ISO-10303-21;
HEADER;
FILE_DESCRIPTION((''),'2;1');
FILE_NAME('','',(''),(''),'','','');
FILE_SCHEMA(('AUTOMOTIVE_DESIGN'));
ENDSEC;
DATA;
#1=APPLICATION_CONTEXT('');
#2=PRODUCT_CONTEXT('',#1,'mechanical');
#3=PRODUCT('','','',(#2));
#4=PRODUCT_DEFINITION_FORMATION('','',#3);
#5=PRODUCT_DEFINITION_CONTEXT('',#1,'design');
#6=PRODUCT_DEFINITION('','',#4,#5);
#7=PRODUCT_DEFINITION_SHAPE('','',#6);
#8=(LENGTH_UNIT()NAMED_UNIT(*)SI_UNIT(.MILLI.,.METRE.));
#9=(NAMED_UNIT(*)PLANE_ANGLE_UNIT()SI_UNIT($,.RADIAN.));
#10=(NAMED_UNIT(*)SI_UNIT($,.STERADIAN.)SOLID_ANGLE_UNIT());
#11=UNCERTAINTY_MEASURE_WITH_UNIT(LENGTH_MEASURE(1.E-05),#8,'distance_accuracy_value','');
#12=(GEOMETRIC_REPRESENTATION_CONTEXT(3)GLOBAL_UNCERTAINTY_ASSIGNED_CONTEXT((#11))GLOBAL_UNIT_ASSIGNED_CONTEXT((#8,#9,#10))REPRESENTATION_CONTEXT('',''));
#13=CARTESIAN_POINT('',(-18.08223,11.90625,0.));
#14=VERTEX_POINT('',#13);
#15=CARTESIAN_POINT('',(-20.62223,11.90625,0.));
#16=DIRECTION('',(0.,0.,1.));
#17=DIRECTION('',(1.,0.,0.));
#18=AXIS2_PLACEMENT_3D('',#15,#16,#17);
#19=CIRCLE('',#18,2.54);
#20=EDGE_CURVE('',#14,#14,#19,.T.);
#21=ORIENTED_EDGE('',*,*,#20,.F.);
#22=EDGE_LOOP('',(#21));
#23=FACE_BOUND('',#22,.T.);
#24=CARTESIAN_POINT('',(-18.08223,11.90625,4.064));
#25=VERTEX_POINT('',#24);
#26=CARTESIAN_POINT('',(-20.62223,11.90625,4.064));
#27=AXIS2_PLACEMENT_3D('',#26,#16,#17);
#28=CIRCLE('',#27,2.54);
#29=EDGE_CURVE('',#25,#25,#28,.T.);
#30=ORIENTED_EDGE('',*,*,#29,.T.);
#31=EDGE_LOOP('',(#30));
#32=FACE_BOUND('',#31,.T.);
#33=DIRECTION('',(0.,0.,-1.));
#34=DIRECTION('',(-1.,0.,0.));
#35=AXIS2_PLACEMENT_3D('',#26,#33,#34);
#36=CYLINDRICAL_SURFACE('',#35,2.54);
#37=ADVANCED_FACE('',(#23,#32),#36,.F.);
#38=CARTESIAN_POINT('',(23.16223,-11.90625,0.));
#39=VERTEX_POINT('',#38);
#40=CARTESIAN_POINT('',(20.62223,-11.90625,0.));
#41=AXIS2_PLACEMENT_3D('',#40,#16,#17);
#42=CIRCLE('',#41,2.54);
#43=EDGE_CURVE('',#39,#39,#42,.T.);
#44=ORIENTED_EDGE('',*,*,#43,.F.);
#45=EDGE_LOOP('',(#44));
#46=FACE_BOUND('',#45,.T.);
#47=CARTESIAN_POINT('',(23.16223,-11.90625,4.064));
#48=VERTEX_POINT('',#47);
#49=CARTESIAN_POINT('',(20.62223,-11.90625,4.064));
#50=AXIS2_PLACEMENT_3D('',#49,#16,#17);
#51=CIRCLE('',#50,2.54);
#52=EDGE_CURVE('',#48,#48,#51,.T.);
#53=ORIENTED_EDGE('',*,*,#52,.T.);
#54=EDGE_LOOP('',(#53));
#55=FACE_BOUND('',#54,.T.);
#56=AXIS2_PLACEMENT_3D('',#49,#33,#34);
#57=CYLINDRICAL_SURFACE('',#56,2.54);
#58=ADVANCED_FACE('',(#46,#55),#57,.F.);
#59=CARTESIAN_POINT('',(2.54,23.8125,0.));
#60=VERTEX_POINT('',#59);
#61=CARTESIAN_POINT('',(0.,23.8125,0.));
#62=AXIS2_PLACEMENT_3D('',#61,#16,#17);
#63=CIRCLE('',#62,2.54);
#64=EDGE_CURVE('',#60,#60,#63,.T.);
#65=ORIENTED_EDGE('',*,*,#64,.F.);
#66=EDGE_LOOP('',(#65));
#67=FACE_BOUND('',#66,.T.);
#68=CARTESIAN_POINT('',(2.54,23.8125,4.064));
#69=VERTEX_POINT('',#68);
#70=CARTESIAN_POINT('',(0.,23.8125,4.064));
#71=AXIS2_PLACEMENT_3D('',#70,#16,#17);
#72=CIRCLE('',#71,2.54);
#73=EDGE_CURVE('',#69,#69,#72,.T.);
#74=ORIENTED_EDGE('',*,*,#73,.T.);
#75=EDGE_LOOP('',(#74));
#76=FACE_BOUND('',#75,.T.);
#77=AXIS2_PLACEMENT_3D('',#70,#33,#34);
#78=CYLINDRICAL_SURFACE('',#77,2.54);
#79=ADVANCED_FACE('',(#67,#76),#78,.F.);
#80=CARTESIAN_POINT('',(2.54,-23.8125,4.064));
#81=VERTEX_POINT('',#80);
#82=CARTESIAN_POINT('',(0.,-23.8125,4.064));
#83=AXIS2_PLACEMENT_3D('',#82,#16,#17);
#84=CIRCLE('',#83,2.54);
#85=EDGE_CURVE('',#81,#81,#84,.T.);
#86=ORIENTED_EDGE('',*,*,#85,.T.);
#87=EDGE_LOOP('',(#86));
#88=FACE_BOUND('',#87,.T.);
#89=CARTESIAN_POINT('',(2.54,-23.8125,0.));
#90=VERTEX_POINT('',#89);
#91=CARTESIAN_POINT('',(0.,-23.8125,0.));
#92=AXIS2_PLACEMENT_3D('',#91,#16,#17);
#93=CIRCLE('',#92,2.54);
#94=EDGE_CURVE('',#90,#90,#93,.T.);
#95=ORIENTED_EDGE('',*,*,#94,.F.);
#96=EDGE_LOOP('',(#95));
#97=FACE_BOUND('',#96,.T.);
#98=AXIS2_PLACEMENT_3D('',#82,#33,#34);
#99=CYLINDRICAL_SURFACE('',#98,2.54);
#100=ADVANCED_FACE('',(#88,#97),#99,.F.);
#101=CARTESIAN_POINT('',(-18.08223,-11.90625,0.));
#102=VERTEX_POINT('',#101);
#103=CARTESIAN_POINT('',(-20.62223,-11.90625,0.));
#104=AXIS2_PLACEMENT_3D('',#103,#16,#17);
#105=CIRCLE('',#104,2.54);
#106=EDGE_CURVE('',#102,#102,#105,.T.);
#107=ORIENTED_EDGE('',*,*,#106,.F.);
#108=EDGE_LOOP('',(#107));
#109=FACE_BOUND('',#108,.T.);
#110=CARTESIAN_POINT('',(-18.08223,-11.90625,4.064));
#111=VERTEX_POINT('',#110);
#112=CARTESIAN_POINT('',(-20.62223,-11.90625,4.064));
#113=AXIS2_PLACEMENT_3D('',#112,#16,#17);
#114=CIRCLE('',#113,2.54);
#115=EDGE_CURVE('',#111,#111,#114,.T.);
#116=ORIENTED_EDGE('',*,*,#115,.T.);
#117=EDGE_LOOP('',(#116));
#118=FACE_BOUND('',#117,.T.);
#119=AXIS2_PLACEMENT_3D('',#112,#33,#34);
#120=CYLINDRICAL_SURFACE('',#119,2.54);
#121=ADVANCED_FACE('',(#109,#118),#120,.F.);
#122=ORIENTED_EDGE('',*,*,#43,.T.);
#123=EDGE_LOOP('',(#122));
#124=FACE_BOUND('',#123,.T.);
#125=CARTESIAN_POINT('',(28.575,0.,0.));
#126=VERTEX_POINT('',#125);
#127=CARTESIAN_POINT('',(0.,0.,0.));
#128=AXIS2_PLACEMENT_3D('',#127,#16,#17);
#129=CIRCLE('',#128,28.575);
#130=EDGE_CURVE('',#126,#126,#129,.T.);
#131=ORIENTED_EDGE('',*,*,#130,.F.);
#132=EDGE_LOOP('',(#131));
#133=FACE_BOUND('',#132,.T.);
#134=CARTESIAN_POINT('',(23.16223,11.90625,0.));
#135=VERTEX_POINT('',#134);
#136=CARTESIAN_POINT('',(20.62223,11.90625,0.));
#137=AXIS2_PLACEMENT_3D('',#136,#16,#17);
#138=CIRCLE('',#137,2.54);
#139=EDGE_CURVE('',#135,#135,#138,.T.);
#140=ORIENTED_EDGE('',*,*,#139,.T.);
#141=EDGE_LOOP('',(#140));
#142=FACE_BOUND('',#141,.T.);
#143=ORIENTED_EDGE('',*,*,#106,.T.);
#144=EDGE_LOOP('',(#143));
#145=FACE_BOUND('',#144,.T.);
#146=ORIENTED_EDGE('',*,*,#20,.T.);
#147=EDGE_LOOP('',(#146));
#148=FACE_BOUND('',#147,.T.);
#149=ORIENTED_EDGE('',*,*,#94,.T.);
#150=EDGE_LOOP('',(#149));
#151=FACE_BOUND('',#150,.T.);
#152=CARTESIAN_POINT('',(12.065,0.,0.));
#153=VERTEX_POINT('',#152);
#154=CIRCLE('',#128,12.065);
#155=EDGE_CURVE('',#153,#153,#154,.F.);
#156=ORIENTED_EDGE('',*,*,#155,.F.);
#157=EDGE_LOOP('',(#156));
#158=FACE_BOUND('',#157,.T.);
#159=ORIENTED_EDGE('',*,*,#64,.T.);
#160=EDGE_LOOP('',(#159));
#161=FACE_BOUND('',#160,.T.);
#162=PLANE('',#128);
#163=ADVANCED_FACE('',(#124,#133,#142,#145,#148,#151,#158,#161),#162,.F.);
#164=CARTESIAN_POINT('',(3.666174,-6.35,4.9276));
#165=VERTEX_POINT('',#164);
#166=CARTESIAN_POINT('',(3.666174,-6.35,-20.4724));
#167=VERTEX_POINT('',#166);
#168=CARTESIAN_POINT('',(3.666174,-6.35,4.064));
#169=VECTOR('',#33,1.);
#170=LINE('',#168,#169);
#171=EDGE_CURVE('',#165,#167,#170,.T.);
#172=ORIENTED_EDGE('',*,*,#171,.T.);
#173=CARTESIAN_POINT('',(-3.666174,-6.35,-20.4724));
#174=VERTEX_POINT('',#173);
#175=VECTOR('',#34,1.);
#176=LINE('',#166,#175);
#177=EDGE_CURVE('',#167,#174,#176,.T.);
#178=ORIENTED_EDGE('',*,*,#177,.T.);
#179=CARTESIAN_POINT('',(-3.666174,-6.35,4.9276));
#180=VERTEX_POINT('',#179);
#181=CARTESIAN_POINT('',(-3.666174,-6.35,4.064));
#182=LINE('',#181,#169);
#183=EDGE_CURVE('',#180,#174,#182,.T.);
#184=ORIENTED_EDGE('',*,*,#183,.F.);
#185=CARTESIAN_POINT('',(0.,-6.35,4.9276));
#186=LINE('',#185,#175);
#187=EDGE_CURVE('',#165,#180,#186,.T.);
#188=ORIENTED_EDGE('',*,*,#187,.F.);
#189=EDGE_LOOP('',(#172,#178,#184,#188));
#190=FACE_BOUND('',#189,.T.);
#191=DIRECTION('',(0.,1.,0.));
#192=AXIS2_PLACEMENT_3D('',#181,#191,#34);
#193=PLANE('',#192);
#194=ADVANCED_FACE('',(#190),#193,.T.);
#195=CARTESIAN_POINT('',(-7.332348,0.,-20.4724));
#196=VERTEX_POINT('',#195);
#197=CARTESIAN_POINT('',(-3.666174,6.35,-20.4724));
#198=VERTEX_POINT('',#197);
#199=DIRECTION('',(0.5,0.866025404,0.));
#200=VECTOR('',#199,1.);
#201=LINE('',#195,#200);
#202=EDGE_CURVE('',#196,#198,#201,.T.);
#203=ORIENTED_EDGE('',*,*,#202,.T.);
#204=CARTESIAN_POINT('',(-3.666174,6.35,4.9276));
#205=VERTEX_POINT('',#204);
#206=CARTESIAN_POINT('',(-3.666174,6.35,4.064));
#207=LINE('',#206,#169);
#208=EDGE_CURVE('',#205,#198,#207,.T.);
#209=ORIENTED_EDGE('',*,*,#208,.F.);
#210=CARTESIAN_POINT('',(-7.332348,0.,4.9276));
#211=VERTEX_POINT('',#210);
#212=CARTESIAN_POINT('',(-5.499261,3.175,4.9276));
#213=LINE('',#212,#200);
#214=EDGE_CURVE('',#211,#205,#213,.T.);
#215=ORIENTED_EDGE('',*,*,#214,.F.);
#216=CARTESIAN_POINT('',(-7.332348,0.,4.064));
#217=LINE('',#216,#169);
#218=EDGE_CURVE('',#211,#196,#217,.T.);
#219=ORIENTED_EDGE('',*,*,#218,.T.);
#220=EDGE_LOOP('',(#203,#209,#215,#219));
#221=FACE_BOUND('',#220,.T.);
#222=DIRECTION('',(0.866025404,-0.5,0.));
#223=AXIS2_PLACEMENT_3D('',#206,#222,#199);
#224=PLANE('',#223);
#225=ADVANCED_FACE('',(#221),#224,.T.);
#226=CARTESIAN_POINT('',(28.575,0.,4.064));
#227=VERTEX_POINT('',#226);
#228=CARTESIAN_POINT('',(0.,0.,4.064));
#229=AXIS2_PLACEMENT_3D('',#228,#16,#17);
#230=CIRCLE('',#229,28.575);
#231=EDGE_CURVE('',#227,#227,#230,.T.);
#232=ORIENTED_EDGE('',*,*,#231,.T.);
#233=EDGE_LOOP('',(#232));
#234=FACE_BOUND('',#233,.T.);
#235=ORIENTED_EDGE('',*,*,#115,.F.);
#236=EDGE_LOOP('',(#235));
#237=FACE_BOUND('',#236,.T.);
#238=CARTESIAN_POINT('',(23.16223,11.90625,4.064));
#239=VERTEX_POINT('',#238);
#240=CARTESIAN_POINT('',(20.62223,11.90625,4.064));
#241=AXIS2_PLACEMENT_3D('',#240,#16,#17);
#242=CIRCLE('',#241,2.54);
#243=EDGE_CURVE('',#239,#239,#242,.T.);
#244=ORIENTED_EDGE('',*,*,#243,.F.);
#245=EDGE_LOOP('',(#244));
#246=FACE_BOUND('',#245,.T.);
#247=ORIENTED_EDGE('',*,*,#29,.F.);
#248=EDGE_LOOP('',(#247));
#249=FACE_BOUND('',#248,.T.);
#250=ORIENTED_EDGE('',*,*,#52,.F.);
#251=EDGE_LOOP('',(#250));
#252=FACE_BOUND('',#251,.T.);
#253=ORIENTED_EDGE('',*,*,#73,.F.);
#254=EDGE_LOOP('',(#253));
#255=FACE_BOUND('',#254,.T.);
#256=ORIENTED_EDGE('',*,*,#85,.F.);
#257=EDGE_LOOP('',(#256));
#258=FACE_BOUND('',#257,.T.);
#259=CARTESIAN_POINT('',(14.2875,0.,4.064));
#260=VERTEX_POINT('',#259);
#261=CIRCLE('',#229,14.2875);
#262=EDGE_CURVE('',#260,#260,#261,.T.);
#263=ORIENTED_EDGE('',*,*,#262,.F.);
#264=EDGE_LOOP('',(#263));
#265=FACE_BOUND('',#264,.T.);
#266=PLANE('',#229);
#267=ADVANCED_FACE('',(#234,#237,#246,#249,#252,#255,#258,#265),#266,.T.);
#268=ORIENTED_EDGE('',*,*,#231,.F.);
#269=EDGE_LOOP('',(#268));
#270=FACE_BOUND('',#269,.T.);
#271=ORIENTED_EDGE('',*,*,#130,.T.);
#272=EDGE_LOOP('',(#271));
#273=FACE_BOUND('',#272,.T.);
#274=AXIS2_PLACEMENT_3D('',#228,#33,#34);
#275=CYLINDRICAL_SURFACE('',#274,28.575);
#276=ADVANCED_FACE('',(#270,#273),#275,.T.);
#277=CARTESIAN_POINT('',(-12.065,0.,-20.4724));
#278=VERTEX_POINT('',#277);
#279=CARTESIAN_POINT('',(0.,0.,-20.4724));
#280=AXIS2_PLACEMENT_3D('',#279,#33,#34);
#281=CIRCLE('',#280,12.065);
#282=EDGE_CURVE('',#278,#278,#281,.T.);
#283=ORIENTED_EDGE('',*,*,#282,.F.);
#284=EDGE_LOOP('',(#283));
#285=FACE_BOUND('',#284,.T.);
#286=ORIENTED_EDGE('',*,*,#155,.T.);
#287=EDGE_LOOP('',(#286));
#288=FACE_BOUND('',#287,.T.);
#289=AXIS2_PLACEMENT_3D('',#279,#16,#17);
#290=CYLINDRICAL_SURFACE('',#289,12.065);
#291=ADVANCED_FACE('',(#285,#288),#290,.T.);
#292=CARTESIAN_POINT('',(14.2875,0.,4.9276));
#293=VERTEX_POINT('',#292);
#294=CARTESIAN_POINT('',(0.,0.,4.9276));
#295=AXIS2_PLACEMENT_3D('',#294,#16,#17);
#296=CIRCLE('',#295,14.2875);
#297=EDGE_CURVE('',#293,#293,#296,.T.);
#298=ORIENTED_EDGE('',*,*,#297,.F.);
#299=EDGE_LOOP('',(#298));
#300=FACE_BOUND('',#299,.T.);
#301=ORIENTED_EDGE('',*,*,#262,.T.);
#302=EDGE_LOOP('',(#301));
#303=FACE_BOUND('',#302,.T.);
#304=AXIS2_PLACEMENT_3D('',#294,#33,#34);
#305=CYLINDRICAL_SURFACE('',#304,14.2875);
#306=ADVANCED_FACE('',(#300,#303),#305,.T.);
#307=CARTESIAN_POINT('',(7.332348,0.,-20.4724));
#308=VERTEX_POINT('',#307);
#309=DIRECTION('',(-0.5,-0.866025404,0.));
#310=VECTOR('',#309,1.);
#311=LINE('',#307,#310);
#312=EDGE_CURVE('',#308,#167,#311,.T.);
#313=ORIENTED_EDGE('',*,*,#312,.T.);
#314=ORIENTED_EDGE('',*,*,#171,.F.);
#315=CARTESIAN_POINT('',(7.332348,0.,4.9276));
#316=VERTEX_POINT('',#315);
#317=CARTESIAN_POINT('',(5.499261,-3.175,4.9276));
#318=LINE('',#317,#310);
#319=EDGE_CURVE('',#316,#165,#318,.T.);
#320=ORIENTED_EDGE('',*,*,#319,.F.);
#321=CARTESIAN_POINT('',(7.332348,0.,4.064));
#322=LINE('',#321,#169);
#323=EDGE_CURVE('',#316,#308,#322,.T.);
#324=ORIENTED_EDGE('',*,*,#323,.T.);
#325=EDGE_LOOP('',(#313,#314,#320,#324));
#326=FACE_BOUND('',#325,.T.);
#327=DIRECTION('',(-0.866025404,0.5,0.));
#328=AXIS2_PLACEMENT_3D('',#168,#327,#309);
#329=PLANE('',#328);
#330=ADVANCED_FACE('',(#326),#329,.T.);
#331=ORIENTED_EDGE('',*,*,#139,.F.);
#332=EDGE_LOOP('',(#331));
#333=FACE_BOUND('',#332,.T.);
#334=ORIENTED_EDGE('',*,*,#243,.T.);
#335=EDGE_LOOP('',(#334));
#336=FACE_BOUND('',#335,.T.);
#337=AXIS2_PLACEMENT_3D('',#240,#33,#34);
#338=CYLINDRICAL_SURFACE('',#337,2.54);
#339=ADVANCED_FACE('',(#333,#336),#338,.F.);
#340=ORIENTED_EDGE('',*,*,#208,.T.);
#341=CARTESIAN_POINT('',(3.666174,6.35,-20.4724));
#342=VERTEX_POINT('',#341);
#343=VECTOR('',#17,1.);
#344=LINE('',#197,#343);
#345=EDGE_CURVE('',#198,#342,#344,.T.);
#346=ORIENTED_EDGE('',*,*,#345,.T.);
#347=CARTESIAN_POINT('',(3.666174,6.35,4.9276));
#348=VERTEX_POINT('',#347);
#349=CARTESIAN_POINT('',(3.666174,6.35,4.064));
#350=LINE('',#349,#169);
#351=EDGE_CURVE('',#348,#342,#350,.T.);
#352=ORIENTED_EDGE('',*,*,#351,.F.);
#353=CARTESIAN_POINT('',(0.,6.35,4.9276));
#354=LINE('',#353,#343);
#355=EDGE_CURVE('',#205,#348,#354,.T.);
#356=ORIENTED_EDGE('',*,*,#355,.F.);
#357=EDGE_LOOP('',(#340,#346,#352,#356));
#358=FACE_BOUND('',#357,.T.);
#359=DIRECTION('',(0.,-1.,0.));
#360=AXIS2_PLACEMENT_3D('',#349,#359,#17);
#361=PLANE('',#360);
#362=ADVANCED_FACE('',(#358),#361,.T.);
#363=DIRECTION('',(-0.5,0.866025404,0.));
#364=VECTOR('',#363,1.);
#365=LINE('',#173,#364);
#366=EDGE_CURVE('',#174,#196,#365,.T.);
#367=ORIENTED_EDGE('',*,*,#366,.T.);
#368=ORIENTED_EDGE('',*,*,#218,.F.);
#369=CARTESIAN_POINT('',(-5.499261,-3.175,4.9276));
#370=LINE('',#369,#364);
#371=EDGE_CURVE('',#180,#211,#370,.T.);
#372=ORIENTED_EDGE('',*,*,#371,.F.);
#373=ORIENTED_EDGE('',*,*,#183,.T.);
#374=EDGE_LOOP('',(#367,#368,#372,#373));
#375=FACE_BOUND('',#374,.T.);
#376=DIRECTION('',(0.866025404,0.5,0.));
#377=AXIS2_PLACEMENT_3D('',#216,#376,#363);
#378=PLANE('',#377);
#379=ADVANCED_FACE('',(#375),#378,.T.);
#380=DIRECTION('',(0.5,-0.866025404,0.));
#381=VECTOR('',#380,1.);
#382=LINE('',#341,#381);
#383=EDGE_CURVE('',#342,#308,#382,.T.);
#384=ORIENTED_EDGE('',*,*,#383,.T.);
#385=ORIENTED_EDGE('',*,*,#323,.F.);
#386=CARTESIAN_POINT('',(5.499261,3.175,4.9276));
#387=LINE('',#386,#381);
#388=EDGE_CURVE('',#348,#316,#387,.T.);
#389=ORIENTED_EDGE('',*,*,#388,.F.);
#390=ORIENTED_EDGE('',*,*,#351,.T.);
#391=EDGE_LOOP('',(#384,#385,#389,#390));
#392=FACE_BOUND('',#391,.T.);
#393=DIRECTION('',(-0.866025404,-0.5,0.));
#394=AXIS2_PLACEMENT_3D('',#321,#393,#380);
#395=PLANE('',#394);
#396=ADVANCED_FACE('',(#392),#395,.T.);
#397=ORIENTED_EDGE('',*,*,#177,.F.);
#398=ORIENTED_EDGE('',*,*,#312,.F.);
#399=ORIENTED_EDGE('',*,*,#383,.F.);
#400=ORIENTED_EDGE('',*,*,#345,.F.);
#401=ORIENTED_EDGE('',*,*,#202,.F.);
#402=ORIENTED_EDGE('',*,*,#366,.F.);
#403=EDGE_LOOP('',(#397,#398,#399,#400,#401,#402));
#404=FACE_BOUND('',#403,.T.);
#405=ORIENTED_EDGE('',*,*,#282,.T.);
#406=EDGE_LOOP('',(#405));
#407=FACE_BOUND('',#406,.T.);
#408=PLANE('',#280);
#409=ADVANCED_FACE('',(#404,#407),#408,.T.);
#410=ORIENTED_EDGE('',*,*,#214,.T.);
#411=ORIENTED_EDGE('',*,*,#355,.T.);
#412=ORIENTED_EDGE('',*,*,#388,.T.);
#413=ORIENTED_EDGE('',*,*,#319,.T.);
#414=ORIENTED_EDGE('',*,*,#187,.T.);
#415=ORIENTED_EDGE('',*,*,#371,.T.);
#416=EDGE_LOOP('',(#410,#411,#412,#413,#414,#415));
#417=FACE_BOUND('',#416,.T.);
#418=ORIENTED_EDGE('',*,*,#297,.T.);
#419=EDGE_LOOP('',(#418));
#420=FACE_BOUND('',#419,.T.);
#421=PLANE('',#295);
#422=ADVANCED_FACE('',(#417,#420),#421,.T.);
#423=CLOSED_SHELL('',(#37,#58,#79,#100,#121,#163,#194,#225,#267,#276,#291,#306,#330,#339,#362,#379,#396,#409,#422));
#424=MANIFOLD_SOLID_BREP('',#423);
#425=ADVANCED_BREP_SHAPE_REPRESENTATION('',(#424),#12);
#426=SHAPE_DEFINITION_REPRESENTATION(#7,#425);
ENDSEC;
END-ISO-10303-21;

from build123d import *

# Parameters (mm, degrees)
SKETCH1_R           = 28.575
SKETCH1_R_2         = 2.54
BOSS_EXTRUDE1_DEPTH = 4.064
SKETCH2_R           = 14.2875
BOSS_EXTRUDE2_DEPTH = 0.8636
SKETCH3_R           = 12.065
EXTRUDE_M_DEPTH     = 20.4724


with BuildPart() as part:
    # Sketch1 → Boss-Extrude1 (new body)
    with BuildSketch(Plane.XY):
        Circle(SKETCH1_R)
        with Locations((0, 23.8125)):
            Circle(SKETCH1_R_2, mode=Mode.SUBTRACT)
        with Locations((20.622229928, 11.90625)):
            Circle(SKETCH1_R_2, mode=Mode.SUBTRACT)
        with Locations((20.622229928, -11.90625)):
            Circle(SKETCH1_R_2, mode=Mode.SUBTRACT)
        with Locations((0, -23.8125)):
            Circle(SKETCH1_R_2, mode=Mode.SUBTRACT)
        with Locations((-20.622229928, -11.90625)):
            Circle(SKETCH1_R_2, mode=Mode.SUBTRACT)
        with Locations((-20.622229928, 11.90625)):
            Circle(SKETCH1_R_2, mode=Mode.SUBTRACT)
        Polygon((7.332348419, 0), (3.666174209, 6.35), (-3.666174209, 6.35), (-7.332348419, 0), (-3.666174209, -6.35), (3.666174209, -6.35), align=None, mode=Mode.SUBTRACT)
    extrude(amount=BOSS_EXTRUDE1_DEPTH)

    # Sketch2 → Boss-Extrude2 (add)
    with BuildSketch(Plane.XY.offset(4.064)):
        Circle(SKETCH2_R)
        Polygon((-3.666174209, 6.35), (3.666174209, 6.35), (7.332348419, 0), (3.666174209, -6.35), (-3.666174209, -6.35), (-7.332348419, 0), align=None, mode=Mode.SUBTRACT)
    extrude(amount=BOSS_EXTRUDE2_DEPTH)

    # Sketch3 → Extrude m (add)
    with BuildSketch(Plane(origin=(0, 0, 0), x_dir=(-1, 0, 0), z_dir=(0, 0, -1))):
        with Locations(Location((0, 0, 0), (0, 0, 180))):
            Circle(SKETCH3_R)
        Polygon((7.332348419, 0), (3.666174209, 6.35), (-3.666174209, 6.35), (-7.332348419, 0), (-3.666174209, -6.35), (3.666174209, -6.35), align=None, mode=Mode.SUBTRACT)
    extrude(amount=EXTRUDE_M_DEPTH)


solid = part.part
